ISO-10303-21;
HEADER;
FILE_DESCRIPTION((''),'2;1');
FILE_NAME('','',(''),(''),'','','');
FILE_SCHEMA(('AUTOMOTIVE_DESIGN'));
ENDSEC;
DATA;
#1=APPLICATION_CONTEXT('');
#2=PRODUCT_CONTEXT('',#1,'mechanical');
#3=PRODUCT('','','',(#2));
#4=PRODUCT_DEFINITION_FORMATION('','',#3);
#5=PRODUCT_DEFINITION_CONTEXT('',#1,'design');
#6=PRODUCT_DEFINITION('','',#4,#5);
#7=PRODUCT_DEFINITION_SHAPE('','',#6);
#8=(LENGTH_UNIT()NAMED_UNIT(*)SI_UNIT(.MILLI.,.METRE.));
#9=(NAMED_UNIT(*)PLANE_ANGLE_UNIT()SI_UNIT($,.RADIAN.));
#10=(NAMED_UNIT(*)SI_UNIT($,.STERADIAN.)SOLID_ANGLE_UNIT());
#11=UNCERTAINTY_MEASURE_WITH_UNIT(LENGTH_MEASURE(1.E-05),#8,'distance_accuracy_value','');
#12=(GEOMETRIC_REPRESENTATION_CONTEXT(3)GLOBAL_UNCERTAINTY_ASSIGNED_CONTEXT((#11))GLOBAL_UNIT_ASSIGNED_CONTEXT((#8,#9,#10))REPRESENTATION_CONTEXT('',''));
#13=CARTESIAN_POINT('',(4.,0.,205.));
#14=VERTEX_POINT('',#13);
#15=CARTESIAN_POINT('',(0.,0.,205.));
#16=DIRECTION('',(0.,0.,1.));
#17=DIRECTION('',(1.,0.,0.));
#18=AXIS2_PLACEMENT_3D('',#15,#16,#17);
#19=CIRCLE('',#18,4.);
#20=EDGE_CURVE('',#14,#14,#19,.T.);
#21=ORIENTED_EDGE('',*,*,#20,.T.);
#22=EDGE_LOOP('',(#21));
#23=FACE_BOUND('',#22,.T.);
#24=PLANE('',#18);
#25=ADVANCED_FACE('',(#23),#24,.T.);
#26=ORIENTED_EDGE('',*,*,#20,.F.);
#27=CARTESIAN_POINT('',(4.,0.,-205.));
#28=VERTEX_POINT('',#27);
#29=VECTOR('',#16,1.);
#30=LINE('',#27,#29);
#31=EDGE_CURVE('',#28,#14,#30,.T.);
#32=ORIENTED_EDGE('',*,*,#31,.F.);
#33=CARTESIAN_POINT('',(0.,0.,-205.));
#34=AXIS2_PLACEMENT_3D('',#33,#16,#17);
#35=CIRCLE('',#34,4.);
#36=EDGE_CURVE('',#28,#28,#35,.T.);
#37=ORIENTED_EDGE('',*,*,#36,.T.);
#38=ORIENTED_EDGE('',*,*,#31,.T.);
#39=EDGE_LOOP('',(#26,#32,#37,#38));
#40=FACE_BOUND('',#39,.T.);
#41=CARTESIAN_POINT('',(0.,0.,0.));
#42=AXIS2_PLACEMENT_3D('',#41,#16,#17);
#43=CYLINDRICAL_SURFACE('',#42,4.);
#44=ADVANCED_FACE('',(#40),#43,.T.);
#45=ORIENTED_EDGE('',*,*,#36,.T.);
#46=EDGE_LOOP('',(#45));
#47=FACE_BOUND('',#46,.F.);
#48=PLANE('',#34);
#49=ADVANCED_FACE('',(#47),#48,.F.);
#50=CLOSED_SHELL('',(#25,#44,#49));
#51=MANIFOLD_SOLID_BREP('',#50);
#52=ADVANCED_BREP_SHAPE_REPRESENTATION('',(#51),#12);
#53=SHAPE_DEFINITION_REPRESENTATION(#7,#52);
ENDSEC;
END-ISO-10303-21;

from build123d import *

# Parameters (mm, degrees)
SKETCH1_R           = 4
BOSS_EXTRUDE1_DEPTH = 205


with BuildPart() as part:
    # Sketch1 → Boss-Extrude1 (new body, symmetric)
    with BuildSketch(Plane.XY):
        Circle(SKETCH1_R)
    extrude(amount=BOSS_EXTRUDE1_DEPTH, both=True)


solid = part.part
